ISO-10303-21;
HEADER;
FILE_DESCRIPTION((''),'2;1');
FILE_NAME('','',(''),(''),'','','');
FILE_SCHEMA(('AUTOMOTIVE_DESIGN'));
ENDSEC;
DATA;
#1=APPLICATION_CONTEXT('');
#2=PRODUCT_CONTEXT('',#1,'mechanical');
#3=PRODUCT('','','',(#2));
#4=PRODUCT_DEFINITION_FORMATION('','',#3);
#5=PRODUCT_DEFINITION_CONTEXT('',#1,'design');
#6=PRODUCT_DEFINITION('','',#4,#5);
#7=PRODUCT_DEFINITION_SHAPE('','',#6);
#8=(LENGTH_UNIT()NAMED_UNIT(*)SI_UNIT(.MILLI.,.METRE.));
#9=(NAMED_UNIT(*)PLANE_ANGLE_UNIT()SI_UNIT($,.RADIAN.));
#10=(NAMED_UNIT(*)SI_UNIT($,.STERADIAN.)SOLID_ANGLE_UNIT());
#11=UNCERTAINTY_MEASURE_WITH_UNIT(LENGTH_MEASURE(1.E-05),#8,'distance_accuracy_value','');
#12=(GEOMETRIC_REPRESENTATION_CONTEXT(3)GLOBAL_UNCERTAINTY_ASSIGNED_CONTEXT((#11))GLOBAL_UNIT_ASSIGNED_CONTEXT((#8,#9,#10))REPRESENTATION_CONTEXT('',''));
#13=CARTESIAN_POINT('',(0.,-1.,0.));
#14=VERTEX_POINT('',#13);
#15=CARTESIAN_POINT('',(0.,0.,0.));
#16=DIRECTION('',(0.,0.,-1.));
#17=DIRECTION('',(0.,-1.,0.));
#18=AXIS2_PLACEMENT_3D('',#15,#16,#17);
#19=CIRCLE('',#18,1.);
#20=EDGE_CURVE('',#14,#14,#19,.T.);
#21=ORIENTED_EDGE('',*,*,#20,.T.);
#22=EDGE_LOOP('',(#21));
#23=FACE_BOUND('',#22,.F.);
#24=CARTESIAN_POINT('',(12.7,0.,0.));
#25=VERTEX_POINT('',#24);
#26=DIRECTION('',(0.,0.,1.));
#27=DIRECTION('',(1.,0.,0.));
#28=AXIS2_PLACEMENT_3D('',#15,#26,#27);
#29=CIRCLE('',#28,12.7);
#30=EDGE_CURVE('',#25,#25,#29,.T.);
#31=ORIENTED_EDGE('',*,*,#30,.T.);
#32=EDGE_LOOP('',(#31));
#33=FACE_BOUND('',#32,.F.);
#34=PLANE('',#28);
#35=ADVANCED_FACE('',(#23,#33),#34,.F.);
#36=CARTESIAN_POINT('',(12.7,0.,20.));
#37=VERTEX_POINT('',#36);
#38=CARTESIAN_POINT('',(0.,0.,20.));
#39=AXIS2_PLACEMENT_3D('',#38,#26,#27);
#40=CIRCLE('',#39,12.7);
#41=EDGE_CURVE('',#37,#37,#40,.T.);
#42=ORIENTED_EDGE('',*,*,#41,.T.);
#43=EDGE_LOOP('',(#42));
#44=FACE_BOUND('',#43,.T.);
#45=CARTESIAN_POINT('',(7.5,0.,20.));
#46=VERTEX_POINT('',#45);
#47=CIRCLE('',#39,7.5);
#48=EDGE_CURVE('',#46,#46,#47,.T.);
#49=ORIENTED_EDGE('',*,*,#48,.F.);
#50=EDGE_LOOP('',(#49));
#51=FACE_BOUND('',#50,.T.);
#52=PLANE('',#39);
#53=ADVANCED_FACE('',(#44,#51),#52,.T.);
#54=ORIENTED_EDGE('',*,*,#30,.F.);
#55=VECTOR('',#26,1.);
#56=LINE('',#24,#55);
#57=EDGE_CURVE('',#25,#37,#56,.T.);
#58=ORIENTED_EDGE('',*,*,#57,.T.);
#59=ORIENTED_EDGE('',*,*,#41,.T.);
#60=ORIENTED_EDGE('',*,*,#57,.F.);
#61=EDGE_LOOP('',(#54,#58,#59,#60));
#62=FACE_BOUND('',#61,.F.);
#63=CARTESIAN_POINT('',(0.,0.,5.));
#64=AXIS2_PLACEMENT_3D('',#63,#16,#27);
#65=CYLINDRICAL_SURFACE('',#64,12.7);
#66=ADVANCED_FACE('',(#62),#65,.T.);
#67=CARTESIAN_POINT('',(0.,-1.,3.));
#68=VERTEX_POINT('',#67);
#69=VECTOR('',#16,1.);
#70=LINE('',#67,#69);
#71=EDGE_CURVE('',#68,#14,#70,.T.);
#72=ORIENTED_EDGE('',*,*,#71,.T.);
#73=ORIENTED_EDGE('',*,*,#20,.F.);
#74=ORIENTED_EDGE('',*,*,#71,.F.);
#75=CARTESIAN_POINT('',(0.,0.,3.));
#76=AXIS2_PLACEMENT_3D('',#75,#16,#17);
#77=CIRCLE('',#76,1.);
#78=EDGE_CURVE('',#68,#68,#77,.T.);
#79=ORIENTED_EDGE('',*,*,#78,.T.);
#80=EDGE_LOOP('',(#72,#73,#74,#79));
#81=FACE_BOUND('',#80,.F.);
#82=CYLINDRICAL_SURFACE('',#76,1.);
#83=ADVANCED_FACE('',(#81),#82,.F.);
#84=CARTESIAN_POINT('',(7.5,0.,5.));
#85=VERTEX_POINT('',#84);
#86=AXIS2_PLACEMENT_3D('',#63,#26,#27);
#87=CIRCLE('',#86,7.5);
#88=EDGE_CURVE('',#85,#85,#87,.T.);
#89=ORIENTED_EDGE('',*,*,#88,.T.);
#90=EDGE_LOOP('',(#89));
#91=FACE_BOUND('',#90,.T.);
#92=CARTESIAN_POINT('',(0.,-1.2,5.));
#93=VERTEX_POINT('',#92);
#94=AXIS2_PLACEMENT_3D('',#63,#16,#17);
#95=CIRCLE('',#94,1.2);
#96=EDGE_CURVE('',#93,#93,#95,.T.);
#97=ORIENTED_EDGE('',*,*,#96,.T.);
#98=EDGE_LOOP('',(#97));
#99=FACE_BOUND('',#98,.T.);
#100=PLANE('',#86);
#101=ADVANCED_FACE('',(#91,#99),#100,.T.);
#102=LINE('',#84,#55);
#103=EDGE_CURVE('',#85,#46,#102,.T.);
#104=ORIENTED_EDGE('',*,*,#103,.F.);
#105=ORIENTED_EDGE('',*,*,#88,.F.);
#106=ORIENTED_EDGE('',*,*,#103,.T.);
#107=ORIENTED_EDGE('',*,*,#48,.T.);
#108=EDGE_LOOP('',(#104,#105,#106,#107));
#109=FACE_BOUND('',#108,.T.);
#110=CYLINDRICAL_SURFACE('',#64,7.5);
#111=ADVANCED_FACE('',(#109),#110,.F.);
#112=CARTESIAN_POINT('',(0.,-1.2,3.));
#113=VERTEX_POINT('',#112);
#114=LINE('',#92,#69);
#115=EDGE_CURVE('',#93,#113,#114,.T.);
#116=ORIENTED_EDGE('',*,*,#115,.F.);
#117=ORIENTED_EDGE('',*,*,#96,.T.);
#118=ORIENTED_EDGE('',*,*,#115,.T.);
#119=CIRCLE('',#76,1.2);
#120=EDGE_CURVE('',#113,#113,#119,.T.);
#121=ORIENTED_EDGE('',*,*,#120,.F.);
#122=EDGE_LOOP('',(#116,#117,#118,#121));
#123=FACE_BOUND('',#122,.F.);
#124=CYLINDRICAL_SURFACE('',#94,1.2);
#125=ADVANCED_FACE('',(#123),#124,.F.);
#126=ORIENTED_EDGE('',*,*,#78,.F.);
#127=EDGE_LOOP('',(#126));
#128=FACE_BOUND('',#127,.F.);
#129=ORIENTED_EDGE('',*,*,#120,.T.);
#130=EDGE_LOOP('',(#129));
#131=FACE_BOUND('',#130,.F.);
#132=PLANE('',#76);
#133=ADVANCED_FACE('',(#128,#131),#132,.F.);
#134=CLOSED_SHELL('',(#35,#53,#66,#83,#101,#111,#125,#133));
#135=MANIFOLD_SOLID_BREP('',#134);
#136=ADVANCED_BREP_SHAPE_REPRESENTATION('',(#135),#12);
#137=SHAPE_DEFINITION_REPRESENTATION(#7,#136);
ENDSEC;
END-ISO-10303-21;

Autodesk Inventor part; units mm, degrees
ref_plane "YZ Plane" through (0, 0, 0) normal (1, 0, 0) x (0, 1, 0)
ref_plane "XZ Plane" through (0, 0, 0) normal (0, 1, 0) x (-1, 0, 0)
ref_plane "XY Plane" through (0, 0, 0) normal (0, 0, 1) x (1, 0, 0)
sketch "Sketch1" plane through (0, 0, 0) normal (0, 0, 1) x (1, 0, 0)
  circle A0 centre (0, 0) radius 12.7
  dimension "d0" = 25.4
extrude "Extrusion1" add sketch "Sketch1" along normal blind 5
hole "Hole1" at (0, 0, 5) direction (0, 0, -1) diameter 2.4 depth 2
hole "Hole2" at (0, 0, 3) direction (0, 0, -1) diameter 2 end through all
sketch "Sketch2" plane through (0, 0, 5) normal (0, 0, 1) x (1, 0, 0)
  circle A0 centre (0, 0) radius 12.7 projected
  circle A1 centre (0, 0) radius 7.5
  dimension "d21" = 15
extrude "Extrusion2" add sketch "Sketch2" along normal blind 15
properties part number "Screw_Asm_Jig_Lower"
